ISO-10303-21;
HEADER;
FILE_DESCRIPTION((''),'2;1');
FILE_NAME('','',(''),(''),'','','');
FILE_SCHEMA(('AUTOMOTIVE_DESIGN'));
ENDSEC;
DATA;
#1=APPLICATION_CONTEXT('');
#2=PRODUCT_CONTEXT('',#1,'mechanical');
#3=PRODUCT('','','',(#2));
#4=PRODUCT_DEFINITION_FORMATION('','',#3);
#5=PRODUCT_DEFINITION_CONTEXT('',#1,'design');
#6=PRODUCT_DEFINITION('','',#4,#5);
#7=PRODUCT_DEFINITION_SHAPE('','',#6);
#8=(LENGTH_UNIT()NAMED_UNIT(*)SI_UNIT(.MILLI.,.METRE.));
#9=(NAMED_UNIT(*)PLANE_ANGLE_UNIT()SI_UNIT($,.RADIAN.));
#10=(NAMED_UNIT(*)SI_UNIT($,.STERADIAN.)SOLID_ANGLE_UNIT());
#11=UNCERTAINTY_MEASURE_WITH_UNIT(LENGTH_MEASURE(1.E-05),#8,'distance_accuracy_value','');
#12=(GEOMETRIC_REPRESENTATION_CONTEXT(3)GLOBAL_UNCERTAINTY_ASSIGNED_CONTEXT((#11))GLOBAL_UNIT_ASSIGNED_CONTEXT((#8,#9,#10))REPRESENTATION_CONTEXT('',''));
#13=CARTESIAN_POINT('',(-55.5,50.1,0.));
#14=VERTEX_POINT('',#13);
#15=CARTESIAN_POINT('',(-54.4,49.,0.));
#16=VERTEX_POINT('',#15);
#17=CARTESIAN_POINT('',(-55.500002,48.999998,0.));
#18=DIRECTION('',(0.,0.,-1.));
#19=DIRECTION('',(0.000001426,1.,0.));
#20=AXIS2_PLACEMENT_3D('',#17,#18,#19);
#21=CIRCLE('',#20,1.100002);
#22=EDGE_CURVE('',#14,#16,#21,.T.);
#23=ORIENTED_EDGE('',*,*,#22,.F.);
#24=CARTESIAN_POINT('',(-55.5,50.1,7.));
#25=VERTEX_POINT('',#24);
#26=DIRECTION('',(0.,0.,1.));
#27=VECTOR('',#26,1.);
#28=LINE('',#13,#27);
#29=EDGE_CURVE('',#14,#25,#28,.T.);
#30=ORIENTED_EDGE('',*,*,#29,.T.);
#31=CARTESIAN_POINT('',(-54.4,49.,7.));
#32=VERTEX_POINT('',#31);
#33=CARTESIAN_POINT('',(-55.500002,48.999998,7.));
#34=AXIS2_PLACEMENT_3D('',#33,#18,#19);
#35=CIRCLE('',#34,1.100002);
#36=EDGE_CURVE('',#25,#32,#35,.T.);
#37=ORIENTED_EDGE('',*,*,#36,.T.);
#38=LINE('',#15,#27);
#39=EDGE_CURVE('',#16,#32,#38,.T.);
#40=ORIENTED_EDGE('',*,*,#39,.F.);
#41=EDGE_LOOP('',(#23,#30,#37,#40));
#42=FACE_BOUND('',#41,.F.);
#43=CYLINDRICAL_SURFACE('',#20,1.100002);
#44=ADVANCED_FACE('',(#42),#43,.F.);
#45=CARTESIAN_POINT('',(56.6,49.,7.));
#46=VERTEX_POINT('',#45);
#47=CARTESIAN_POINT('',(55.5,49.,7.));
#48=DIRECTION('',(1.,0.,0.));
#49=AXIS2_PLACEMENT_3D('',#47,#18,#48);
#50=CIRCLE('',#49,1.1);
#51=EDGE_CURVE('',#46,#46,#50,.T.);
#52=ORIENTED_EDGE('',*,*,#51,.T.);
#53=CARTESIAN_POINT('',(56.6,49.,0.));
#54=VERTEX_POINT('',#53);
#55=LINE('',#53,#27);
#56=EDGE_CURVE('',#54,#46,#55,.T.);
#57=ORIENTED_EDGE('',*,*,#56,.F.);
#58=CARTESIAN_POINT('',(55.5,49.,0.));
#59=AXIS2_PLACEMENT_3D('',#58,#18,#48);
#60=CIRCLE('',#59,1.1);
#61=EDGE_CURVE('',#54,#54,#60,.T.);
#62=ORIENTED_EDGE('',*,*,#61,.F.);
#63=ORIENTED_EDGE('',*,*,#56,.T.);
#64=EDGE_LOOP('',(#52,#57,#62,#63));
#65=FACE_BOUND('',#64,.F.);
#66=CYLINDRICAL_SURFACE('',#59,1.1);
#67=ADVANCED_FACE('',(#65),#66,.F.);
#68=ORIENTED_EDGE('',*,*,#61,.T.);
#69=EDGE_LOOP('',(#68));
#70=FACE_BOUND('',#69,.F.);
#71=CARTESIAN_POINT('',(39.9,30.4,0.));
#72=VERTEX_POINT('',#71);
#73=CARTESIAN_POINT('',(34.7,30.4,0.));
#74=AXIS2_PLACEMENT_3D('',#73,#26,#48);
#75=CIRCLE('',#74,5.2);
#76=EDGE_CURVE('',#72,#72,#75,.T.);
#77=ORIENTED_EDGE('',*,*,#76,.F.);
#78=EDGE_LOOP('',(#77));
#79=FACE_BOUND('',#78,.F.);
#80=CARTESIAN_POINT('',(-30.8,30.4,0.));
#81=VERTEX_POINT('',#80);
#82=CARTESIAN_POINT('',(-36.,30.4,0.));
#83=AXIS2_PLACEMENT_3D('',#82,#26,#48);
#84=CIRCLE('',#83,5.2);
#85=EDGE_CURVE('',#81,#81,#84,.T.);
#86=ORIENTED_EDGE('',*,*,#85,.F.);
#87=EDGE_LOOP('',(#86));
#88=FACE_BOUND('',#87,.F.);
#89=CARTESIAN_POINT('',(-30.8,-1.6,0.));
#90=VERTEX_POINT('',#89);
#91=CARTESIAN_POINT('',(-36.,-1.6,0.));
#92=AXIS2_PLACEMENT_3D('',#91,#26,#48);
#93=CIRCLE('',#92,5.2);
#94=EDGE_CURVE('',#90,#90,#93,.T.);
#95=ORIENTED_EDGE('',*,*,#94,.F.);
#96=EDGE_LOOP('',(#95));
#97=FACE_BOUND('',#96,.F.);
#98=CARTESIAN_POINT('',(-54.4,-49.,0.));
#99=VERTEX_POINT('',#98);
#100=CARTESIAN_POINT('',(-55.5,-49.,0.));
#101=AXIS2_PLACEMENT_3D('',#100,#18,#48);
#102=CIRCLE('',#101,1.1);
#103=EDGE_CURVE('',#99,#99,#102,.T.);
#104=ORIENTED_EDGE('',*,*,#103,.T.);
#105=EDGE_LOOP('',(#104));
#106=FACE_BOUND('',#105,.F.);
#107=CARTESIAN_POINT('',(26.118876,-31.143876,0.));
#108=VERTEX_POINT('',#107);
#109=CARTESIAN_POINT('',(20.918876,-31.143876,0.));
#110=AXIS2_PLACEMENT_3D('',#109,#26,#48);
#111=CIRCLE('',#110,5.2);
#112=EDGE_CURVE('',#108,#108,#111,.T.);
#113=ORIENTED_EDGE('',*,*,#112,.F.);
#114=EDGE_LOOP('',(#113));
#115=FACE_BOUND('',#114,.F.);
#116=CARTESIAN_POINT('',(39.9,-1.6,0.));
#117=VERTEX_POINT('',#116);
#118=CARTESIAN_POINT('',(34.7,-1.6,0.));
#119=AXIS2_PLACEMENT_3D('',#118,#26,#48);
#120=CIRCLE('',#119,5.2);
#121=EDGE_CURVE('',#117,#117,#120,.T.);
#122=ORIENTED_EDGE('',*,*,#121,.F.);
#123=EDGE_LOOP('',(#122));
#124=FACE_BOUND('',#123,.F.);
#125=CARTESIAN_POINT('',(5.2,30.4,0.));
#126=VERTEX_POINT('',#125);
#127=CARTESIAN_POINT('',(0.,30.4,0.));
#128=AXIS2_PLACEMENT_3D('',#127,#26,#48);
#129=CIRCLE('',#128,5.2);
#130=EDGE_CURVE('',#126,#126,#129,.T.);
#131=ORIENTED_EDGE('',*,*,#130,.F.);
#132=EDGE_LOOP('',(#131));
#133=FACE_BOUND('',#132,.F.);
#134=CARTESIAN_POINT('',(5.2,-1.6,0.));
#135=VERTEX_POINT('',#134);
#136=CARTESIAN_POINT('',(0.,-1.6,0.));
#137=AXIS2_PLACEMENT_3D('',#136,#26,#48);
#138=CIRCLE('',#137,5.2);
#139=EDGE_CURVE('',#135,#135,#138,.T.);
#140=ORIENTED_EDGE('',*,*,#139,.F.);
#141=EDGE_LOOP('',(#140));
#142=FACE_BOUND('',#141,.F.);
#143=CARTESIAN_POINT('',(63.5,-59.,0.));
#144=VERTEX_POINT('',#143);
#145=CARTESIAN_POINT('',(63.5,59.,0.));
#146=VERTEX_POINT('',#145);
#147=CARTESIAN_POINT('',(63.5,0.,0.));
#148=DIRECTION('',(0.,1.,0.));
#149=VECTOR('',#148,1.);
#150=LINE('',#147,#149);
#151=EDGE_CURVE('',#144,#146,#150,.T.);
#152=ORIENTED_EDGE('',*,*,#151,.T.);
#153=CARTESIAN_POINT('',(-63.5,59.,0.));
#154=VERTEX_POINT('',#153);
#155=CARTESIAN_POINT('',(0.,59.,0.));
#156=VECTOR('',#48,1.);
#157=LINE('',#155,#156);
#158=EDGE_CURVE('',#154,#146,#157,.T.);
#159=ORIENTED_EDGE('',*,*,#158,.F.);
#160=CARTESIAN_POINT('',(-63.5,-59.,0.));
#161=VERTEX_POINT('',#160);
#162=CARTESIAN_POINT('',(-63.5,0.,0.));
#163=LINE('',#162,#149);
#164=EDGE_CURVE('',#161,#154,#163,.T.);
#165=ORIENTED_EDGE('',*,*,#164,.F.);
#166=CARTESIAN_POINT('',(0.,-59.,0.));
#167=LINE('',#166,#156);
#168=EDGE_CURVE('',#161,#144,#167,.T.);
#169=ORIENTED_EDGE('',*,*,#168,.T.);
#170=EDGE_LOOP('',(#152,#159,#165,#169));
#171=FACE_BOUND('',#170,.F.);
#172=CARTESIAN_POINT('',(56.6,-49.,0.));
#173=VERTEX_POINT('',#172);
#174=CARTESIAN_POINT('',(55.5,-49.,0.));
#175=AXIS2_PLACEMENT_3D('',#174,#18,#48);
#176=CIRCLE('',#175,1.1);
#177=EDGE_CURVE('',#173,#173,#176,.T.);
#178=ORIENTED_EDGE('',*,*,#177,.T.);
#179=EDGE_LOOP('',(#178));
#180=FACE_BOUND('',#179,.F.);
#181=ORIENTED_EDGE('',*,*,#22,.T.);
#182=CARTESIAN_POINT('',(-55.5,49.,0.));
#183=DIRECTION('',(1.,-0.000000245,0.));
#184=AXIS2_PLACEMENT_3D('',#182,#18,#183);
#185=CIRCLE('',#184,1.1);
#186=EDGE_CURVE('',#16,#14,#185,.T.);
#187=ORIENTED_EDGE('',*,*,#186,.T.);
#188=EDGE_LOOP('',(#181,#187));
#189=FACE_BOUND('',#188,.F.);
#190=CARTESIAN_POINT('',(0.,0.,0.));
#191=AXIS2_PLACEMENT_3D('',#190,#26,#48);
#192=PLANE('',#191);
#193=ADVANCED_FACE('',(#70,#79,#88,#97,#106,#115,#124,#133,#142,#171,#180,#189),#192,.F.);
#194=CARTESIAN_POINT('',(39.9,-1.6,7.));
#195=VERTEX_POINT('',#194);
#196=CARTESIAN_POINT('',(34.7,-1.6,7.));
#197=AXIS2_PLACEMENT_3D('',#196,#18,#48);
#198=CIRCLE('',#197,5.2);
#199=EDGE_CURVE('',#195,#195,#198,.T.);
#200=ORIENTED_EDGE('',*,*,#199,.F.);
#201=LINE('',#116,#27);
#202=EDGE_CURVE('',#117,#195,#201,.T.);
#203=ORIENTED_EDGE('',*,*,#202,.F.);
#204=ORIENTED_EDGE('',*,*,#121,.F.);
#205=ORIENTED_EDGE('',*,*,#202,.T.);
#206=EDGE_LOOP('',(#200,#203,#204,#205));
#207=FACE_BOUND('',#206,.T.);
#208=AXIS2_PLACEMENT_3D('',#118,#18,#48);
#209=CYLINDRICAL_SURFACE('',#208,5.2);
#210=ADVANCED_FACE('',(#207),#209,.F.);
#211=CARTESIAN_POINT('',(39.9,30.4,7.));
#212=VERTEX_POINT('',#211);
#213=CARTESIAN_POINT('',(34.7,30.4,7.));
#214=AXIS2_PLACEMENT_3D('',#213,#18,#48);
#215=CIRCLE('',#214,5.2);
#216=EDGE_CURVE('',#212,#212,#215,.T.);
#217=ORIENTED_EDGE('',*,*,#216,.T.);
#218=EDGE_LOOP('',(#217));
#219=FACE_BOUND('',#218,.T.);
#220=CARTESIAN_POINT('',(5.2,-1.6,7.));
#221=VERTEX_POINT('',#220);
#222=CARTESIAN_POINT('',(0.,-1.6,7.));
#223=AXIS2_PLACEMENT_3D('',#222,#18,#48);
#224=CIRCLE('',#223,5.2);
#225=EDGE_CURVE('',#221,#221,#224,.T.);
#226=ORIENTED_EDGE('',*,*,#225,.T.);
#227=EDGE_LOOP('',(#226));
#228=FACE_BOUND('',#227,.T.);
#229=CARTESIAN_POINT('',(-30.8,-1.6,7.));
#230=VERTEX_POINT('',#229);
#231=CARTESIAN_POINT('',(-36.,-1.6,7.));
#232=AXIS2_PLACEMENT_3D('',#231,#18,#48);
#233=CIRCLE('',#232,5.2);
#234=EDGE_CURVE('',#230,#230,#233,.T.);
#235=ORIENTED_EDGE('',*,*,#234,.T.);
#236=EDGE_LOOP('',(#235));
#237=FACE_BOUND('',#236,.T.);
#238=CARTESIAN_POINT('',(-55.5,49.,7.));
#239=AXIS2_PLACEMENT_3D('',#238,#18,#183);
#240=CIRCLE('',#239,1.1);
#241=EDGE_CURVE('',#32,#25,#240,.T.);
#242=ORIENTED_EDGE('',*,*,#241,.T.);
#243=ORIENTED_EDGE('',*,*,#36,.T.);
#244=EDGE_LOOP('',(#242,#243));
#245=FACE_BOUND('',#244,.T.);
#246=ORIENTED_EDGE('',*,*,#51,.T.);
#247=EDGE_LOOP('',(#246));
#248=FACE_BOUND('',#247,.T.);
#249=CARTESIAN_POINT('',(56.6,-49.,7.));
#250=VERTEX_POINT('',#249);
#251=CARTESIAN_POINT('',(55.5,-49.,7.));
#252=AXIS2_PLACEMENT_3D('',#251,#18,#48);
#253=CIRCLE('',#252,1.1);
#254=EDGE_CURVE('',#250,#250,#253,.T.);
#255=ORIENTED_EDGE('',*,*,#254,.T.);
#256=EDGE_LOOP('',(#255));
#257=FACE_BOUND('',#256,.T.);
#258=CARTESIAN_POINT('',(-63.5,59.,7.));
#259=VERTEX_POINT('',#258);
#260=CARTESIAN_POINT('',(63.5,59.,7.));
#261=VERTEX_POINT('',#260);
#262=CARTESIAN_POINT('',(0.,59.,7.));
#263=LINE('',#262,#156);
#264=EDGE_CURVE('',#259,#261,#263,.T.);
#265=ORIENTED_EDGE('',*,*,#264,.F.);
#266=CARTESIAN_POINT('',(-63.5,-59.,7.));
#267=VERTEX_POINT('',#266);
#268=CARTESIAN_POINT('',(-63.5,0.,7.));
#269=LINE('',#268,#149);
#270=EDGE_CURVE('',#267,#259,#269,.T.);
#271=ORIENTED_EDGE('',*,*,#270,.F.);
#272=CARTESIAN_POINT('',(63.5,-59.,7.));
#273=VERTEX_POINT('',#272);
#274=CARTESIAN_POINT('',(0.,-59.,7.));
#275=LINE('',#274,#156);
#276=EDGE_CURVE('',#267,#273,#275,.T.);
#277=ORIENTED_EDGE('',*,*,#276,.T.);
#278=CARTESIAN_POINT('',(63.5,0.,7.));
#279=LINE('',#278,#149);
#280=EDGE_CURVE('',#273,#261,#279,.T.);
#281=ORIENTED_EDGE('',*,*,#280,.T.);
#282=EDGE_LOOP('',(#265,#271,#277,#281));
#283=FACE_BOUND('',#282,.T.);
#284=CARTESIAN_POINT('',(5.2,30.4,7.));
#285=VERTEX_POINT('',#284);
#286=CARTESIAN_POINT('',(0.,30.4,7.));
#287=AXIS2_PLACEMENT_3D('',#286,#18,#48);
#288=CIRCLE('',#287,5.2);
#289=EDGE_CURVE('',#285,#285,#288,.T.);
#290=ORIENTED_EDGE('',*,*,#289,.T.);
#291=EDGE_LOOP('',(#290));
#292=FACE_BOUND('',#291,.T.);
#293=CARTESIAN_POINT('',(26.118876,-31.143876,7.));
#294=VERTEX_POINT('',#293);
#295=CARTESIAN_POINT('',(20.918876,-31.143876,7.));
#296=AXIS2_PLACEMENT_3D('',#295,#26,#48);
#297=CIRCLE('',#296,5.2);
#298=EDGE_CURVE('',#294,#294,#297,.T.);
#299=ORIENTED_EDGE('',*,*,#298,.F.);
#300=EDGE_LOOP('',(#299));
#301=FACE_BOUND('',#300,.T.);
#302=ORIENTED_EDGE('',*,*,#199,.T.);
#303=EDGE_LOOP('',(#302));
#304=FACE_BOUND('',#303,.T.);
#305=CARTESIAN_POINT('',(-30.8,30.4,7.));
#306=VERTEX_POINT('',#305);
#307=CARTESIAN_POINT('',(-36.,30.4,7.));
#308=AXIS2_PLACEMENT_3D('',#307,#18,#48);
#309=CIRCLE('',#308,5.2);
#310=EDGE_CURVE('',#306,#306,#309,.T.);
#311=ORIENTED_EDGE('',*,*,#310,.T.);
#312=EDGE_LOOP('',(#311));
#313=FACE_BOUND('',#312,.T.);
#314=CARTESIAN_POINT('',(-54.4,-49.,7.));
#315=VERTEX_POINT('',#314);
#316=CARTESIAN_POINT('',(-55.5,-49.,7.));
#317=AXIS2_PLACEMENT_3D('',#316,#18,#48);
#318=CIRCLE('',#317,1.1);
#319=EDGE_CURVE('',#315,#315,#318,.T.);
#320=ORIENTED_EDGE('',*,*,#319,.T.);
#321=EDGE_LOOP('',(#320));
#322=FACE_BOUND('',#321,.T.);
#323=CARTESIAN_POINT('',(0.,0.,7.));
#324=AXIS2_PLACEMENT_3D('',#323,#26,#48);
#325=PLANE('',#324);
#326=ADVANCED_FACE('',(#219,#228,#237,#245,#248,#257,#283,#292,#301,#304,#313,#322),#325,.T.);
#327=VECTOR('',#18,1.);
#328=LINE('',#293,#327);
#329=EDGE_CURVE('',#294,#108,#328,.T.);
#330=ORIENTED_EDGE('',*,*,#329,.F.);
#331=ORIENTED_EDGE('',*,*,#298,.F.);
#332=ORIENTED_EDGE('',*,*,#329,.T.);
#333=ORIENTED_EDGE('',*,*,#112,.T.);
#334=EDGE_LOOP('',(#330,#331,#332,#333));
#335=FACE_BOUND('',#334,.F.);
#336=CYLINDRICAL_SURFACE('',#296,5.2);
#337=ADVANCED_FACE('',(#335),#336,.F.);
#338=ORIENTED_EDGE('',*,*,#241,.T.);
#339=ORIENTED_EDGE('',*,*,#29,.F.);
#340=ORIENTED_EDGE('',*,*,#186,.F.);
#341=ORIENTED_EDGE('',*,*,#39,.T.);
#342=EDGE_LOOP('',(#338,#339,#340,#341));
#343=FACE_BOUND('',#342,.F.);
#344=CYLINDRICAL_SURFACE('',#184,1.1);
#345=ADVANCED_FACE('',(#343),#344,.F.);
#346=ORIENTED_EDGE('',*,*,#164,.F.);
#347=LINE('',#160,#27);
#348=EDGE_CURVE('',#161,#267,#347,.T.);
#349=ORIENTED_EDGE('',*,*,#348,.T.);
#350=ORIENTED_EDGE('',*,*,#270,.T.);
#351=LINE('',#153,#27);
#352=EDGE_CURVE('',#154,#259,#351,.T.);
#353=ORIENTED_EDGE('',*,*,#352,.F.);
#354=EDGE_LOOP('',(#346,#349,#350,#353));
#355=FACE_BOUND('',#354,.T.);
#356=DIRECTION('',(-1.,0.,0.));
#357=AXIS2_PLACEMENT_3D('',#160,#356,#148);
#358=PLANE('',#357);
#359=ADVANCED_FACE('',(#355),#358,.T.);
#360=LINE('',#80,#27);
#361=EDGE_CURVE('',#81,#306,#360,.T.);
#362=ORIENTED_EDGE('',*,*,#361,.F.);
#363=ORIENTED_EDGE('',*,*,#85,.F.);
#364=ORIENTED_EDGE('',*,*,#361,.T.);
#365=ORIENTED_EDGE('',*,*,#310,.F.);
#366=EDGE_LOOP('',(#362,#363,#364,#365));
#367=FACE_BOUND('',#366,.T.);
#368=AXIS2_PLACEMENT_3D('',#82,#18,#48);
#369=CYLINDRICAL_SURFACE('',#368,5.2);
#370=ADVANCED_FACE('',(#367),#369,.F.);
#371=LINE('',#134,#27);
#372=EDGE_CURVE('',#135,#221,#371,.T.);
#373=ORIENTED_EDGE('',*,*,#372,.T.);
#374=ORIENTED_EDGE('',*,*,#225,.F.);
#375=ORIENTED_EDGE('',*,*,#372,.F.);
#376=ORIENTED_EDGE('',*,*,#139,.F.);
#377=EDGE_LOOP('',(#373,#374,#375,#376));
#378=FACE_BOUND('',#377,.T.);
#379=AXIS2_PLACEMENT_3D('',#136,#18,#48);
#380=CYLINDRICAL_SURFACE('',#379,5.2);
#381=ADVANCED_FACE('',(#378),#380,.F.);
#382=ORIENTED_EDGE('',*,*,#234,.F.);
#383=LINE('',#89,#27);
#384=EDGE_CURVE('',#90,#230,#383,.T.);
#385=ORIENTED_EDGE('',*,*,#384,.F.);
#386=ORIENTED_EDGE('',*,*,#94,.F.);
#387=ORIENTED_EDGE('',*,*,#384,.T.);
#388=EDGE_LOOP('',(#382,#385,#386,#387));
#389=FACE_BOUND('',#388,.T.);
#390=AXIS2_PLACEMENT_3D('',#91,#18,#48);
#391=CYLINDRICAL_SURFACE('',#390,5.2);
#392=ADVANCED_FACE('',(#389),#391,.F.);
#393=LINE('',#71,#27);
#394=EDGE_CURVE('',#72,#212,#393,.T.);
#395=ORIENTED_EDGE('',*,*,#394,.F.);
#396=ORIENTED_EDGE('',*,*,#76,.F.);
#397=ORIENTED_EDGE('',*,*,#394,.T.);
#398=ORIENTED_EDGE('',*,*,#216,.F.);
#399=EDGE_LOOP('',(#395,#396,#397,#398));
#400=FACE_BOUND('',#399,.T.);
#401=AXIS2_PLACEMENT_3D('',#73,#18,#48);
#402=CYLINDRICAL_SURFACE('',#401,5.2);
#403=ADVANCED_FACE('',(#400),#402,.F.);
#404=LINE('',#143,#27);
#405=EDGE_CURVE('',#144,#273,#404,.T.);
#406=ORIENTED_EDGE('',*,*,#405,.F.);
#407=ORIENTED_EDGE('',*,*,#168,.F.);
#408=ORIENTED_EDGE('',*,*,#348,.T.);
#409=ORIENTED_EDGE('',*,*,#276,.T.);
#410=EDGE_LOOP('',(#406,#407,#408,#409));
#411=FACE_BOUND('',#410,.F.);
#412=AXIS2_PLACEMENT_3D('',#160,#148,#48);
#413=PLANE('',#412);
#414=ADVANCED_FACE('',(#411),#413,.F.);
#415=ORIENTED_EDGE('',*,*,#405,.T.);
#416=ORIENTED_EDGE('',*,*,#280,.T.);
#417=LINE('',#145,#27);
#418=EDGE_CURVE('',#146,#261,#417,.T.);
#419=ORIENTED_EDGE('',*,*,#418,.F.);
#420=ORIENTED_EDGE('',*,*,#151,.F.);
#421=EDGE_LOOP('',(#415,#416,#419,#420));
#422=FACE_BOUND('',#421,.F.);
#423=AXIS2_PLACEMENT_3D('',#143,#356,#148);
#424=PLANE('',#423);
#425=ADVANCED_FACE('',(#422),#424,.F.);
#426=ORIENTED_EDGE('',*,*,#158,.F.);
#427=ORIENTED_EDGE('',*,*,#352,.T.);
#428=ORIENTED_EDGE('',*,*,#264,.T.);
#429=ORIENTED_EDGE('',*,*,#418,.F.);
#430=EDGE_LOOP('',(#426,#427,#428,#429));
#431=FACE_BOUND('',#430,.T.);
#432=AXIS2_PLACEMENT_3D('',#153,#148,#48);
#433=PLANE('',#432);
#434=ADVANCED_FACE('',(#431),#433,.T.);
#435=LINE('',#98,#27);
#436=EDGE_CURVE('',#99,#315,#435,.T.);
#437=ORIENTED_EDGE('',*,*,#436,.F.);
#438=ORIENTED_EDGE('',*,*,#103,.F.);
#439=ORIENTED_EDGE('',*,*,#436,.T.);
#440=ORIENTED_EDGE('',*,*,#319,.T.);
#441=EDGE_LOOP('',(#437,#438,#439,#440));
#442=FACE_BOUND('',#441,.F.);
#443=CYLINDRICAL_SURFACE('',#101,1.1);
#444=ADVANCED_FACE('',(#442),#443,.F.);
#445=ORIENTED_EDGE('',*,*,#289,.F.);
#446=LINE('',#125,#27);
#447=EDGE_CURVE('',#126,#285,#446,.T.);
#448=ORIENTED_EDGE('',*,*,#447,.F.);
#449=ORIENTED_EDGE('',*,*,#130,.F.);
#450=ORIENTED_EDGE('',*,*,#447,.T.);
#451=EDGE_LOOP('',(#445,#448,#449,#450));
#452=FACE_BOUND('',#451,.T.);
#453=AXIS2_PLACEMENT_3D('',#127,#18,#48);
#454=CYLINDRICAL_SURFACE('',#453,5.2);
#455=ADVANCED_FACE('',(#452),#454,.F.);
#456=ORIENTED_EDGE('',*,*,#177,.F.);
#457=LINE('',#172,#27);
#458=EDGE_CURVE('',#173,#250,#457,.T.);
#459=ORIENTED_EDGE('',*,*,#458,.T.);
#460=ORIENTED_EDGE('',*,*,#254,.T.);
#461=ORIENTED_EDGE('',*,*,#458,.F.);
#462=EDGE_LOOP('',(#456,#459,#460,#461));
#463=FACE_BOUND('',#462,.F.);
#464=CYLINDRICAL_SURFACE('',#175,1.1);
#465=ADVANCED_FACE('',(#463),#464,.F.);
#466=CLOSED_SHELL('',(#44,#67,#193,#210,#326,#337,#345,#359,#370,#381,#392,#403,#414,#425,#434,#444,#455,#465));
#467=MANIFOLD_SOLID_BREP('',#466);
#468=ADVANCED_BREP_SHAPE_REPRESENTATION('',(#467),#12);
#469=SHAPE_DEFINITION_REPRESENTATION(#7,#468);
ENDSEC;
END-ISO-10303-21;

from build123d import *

# Parameters (mm, degrees)
F0_W     = 127
F0_H     = 118
F1_DEPTH = 7
F2_R     = 1.1
F3_DEPTH = 25
F4_R     = 5.2
F5_DEPTH = 7.001
F6_R     = 5.2
F7_DEPTH = 7.001


with BuildPart() as f1:
    # F0 (on Top) → F1 (new body)
    with BuildSketch(Plane.XY):
        Rectangle(F0_W, F0_H)
    extrude(amount=F1_DEPTH)

    # F2 (on face) → F3 (cut)
    with BuildSketch(Plane(origin=(0, 0, 0), x_dir=(1, 0, 0), z_dir=(0, 0, -1))):
        with BuildLine():
            ThreePointArc((-55.5, -50.1), (-54.722183, -49.777817), (-54.4, -49))
            ThreePointArc((-54.4, -49), (-56.277817, -48.222183), (-55.5, -50.1))
        make_face()
        with Locations((55.5, -49)):
            Circle(F2_R)
        with Locations((-55.5, 49)):
            Circle(F2_R)
        with Locations((55.5, 49)):
            Circle(F2_R)
    extrude(amount=-F3_DEPTH, mode=Mode.SUBTRACT)

    # F4 (on Top) → F5 (cut, through all)
    with BuildSketch(Plane.XY):
        with Locations((-36, 30.4)):
            Circle(F4_R)
        with Locations((-36, -1.6)):
            Circle(F4_R)
        with Locations((0, -1.6)):
            Circle(F4_R)
        with Locations((34.7, -1.6)):
            Circle(F4_R)
        with Locations((34.7, 30.4)):
            Circle(F4_R)
        with Locations((0, 30.4)):
            Circle(F4_R)
    extrude(amount=F5_DEPTH, mode=Mode.SUBTRACT)

    # F6 (on face) → F7 (cut, through all)
    with BuildSketch(Plane.XY.offset(7)):
        with Locations((20.918876, -31.143876)):
            Circle(F6_R)
    extrude(amount=-F7_DEPTH, mode=Mode.SUBTRACT)


solid = f1.part
